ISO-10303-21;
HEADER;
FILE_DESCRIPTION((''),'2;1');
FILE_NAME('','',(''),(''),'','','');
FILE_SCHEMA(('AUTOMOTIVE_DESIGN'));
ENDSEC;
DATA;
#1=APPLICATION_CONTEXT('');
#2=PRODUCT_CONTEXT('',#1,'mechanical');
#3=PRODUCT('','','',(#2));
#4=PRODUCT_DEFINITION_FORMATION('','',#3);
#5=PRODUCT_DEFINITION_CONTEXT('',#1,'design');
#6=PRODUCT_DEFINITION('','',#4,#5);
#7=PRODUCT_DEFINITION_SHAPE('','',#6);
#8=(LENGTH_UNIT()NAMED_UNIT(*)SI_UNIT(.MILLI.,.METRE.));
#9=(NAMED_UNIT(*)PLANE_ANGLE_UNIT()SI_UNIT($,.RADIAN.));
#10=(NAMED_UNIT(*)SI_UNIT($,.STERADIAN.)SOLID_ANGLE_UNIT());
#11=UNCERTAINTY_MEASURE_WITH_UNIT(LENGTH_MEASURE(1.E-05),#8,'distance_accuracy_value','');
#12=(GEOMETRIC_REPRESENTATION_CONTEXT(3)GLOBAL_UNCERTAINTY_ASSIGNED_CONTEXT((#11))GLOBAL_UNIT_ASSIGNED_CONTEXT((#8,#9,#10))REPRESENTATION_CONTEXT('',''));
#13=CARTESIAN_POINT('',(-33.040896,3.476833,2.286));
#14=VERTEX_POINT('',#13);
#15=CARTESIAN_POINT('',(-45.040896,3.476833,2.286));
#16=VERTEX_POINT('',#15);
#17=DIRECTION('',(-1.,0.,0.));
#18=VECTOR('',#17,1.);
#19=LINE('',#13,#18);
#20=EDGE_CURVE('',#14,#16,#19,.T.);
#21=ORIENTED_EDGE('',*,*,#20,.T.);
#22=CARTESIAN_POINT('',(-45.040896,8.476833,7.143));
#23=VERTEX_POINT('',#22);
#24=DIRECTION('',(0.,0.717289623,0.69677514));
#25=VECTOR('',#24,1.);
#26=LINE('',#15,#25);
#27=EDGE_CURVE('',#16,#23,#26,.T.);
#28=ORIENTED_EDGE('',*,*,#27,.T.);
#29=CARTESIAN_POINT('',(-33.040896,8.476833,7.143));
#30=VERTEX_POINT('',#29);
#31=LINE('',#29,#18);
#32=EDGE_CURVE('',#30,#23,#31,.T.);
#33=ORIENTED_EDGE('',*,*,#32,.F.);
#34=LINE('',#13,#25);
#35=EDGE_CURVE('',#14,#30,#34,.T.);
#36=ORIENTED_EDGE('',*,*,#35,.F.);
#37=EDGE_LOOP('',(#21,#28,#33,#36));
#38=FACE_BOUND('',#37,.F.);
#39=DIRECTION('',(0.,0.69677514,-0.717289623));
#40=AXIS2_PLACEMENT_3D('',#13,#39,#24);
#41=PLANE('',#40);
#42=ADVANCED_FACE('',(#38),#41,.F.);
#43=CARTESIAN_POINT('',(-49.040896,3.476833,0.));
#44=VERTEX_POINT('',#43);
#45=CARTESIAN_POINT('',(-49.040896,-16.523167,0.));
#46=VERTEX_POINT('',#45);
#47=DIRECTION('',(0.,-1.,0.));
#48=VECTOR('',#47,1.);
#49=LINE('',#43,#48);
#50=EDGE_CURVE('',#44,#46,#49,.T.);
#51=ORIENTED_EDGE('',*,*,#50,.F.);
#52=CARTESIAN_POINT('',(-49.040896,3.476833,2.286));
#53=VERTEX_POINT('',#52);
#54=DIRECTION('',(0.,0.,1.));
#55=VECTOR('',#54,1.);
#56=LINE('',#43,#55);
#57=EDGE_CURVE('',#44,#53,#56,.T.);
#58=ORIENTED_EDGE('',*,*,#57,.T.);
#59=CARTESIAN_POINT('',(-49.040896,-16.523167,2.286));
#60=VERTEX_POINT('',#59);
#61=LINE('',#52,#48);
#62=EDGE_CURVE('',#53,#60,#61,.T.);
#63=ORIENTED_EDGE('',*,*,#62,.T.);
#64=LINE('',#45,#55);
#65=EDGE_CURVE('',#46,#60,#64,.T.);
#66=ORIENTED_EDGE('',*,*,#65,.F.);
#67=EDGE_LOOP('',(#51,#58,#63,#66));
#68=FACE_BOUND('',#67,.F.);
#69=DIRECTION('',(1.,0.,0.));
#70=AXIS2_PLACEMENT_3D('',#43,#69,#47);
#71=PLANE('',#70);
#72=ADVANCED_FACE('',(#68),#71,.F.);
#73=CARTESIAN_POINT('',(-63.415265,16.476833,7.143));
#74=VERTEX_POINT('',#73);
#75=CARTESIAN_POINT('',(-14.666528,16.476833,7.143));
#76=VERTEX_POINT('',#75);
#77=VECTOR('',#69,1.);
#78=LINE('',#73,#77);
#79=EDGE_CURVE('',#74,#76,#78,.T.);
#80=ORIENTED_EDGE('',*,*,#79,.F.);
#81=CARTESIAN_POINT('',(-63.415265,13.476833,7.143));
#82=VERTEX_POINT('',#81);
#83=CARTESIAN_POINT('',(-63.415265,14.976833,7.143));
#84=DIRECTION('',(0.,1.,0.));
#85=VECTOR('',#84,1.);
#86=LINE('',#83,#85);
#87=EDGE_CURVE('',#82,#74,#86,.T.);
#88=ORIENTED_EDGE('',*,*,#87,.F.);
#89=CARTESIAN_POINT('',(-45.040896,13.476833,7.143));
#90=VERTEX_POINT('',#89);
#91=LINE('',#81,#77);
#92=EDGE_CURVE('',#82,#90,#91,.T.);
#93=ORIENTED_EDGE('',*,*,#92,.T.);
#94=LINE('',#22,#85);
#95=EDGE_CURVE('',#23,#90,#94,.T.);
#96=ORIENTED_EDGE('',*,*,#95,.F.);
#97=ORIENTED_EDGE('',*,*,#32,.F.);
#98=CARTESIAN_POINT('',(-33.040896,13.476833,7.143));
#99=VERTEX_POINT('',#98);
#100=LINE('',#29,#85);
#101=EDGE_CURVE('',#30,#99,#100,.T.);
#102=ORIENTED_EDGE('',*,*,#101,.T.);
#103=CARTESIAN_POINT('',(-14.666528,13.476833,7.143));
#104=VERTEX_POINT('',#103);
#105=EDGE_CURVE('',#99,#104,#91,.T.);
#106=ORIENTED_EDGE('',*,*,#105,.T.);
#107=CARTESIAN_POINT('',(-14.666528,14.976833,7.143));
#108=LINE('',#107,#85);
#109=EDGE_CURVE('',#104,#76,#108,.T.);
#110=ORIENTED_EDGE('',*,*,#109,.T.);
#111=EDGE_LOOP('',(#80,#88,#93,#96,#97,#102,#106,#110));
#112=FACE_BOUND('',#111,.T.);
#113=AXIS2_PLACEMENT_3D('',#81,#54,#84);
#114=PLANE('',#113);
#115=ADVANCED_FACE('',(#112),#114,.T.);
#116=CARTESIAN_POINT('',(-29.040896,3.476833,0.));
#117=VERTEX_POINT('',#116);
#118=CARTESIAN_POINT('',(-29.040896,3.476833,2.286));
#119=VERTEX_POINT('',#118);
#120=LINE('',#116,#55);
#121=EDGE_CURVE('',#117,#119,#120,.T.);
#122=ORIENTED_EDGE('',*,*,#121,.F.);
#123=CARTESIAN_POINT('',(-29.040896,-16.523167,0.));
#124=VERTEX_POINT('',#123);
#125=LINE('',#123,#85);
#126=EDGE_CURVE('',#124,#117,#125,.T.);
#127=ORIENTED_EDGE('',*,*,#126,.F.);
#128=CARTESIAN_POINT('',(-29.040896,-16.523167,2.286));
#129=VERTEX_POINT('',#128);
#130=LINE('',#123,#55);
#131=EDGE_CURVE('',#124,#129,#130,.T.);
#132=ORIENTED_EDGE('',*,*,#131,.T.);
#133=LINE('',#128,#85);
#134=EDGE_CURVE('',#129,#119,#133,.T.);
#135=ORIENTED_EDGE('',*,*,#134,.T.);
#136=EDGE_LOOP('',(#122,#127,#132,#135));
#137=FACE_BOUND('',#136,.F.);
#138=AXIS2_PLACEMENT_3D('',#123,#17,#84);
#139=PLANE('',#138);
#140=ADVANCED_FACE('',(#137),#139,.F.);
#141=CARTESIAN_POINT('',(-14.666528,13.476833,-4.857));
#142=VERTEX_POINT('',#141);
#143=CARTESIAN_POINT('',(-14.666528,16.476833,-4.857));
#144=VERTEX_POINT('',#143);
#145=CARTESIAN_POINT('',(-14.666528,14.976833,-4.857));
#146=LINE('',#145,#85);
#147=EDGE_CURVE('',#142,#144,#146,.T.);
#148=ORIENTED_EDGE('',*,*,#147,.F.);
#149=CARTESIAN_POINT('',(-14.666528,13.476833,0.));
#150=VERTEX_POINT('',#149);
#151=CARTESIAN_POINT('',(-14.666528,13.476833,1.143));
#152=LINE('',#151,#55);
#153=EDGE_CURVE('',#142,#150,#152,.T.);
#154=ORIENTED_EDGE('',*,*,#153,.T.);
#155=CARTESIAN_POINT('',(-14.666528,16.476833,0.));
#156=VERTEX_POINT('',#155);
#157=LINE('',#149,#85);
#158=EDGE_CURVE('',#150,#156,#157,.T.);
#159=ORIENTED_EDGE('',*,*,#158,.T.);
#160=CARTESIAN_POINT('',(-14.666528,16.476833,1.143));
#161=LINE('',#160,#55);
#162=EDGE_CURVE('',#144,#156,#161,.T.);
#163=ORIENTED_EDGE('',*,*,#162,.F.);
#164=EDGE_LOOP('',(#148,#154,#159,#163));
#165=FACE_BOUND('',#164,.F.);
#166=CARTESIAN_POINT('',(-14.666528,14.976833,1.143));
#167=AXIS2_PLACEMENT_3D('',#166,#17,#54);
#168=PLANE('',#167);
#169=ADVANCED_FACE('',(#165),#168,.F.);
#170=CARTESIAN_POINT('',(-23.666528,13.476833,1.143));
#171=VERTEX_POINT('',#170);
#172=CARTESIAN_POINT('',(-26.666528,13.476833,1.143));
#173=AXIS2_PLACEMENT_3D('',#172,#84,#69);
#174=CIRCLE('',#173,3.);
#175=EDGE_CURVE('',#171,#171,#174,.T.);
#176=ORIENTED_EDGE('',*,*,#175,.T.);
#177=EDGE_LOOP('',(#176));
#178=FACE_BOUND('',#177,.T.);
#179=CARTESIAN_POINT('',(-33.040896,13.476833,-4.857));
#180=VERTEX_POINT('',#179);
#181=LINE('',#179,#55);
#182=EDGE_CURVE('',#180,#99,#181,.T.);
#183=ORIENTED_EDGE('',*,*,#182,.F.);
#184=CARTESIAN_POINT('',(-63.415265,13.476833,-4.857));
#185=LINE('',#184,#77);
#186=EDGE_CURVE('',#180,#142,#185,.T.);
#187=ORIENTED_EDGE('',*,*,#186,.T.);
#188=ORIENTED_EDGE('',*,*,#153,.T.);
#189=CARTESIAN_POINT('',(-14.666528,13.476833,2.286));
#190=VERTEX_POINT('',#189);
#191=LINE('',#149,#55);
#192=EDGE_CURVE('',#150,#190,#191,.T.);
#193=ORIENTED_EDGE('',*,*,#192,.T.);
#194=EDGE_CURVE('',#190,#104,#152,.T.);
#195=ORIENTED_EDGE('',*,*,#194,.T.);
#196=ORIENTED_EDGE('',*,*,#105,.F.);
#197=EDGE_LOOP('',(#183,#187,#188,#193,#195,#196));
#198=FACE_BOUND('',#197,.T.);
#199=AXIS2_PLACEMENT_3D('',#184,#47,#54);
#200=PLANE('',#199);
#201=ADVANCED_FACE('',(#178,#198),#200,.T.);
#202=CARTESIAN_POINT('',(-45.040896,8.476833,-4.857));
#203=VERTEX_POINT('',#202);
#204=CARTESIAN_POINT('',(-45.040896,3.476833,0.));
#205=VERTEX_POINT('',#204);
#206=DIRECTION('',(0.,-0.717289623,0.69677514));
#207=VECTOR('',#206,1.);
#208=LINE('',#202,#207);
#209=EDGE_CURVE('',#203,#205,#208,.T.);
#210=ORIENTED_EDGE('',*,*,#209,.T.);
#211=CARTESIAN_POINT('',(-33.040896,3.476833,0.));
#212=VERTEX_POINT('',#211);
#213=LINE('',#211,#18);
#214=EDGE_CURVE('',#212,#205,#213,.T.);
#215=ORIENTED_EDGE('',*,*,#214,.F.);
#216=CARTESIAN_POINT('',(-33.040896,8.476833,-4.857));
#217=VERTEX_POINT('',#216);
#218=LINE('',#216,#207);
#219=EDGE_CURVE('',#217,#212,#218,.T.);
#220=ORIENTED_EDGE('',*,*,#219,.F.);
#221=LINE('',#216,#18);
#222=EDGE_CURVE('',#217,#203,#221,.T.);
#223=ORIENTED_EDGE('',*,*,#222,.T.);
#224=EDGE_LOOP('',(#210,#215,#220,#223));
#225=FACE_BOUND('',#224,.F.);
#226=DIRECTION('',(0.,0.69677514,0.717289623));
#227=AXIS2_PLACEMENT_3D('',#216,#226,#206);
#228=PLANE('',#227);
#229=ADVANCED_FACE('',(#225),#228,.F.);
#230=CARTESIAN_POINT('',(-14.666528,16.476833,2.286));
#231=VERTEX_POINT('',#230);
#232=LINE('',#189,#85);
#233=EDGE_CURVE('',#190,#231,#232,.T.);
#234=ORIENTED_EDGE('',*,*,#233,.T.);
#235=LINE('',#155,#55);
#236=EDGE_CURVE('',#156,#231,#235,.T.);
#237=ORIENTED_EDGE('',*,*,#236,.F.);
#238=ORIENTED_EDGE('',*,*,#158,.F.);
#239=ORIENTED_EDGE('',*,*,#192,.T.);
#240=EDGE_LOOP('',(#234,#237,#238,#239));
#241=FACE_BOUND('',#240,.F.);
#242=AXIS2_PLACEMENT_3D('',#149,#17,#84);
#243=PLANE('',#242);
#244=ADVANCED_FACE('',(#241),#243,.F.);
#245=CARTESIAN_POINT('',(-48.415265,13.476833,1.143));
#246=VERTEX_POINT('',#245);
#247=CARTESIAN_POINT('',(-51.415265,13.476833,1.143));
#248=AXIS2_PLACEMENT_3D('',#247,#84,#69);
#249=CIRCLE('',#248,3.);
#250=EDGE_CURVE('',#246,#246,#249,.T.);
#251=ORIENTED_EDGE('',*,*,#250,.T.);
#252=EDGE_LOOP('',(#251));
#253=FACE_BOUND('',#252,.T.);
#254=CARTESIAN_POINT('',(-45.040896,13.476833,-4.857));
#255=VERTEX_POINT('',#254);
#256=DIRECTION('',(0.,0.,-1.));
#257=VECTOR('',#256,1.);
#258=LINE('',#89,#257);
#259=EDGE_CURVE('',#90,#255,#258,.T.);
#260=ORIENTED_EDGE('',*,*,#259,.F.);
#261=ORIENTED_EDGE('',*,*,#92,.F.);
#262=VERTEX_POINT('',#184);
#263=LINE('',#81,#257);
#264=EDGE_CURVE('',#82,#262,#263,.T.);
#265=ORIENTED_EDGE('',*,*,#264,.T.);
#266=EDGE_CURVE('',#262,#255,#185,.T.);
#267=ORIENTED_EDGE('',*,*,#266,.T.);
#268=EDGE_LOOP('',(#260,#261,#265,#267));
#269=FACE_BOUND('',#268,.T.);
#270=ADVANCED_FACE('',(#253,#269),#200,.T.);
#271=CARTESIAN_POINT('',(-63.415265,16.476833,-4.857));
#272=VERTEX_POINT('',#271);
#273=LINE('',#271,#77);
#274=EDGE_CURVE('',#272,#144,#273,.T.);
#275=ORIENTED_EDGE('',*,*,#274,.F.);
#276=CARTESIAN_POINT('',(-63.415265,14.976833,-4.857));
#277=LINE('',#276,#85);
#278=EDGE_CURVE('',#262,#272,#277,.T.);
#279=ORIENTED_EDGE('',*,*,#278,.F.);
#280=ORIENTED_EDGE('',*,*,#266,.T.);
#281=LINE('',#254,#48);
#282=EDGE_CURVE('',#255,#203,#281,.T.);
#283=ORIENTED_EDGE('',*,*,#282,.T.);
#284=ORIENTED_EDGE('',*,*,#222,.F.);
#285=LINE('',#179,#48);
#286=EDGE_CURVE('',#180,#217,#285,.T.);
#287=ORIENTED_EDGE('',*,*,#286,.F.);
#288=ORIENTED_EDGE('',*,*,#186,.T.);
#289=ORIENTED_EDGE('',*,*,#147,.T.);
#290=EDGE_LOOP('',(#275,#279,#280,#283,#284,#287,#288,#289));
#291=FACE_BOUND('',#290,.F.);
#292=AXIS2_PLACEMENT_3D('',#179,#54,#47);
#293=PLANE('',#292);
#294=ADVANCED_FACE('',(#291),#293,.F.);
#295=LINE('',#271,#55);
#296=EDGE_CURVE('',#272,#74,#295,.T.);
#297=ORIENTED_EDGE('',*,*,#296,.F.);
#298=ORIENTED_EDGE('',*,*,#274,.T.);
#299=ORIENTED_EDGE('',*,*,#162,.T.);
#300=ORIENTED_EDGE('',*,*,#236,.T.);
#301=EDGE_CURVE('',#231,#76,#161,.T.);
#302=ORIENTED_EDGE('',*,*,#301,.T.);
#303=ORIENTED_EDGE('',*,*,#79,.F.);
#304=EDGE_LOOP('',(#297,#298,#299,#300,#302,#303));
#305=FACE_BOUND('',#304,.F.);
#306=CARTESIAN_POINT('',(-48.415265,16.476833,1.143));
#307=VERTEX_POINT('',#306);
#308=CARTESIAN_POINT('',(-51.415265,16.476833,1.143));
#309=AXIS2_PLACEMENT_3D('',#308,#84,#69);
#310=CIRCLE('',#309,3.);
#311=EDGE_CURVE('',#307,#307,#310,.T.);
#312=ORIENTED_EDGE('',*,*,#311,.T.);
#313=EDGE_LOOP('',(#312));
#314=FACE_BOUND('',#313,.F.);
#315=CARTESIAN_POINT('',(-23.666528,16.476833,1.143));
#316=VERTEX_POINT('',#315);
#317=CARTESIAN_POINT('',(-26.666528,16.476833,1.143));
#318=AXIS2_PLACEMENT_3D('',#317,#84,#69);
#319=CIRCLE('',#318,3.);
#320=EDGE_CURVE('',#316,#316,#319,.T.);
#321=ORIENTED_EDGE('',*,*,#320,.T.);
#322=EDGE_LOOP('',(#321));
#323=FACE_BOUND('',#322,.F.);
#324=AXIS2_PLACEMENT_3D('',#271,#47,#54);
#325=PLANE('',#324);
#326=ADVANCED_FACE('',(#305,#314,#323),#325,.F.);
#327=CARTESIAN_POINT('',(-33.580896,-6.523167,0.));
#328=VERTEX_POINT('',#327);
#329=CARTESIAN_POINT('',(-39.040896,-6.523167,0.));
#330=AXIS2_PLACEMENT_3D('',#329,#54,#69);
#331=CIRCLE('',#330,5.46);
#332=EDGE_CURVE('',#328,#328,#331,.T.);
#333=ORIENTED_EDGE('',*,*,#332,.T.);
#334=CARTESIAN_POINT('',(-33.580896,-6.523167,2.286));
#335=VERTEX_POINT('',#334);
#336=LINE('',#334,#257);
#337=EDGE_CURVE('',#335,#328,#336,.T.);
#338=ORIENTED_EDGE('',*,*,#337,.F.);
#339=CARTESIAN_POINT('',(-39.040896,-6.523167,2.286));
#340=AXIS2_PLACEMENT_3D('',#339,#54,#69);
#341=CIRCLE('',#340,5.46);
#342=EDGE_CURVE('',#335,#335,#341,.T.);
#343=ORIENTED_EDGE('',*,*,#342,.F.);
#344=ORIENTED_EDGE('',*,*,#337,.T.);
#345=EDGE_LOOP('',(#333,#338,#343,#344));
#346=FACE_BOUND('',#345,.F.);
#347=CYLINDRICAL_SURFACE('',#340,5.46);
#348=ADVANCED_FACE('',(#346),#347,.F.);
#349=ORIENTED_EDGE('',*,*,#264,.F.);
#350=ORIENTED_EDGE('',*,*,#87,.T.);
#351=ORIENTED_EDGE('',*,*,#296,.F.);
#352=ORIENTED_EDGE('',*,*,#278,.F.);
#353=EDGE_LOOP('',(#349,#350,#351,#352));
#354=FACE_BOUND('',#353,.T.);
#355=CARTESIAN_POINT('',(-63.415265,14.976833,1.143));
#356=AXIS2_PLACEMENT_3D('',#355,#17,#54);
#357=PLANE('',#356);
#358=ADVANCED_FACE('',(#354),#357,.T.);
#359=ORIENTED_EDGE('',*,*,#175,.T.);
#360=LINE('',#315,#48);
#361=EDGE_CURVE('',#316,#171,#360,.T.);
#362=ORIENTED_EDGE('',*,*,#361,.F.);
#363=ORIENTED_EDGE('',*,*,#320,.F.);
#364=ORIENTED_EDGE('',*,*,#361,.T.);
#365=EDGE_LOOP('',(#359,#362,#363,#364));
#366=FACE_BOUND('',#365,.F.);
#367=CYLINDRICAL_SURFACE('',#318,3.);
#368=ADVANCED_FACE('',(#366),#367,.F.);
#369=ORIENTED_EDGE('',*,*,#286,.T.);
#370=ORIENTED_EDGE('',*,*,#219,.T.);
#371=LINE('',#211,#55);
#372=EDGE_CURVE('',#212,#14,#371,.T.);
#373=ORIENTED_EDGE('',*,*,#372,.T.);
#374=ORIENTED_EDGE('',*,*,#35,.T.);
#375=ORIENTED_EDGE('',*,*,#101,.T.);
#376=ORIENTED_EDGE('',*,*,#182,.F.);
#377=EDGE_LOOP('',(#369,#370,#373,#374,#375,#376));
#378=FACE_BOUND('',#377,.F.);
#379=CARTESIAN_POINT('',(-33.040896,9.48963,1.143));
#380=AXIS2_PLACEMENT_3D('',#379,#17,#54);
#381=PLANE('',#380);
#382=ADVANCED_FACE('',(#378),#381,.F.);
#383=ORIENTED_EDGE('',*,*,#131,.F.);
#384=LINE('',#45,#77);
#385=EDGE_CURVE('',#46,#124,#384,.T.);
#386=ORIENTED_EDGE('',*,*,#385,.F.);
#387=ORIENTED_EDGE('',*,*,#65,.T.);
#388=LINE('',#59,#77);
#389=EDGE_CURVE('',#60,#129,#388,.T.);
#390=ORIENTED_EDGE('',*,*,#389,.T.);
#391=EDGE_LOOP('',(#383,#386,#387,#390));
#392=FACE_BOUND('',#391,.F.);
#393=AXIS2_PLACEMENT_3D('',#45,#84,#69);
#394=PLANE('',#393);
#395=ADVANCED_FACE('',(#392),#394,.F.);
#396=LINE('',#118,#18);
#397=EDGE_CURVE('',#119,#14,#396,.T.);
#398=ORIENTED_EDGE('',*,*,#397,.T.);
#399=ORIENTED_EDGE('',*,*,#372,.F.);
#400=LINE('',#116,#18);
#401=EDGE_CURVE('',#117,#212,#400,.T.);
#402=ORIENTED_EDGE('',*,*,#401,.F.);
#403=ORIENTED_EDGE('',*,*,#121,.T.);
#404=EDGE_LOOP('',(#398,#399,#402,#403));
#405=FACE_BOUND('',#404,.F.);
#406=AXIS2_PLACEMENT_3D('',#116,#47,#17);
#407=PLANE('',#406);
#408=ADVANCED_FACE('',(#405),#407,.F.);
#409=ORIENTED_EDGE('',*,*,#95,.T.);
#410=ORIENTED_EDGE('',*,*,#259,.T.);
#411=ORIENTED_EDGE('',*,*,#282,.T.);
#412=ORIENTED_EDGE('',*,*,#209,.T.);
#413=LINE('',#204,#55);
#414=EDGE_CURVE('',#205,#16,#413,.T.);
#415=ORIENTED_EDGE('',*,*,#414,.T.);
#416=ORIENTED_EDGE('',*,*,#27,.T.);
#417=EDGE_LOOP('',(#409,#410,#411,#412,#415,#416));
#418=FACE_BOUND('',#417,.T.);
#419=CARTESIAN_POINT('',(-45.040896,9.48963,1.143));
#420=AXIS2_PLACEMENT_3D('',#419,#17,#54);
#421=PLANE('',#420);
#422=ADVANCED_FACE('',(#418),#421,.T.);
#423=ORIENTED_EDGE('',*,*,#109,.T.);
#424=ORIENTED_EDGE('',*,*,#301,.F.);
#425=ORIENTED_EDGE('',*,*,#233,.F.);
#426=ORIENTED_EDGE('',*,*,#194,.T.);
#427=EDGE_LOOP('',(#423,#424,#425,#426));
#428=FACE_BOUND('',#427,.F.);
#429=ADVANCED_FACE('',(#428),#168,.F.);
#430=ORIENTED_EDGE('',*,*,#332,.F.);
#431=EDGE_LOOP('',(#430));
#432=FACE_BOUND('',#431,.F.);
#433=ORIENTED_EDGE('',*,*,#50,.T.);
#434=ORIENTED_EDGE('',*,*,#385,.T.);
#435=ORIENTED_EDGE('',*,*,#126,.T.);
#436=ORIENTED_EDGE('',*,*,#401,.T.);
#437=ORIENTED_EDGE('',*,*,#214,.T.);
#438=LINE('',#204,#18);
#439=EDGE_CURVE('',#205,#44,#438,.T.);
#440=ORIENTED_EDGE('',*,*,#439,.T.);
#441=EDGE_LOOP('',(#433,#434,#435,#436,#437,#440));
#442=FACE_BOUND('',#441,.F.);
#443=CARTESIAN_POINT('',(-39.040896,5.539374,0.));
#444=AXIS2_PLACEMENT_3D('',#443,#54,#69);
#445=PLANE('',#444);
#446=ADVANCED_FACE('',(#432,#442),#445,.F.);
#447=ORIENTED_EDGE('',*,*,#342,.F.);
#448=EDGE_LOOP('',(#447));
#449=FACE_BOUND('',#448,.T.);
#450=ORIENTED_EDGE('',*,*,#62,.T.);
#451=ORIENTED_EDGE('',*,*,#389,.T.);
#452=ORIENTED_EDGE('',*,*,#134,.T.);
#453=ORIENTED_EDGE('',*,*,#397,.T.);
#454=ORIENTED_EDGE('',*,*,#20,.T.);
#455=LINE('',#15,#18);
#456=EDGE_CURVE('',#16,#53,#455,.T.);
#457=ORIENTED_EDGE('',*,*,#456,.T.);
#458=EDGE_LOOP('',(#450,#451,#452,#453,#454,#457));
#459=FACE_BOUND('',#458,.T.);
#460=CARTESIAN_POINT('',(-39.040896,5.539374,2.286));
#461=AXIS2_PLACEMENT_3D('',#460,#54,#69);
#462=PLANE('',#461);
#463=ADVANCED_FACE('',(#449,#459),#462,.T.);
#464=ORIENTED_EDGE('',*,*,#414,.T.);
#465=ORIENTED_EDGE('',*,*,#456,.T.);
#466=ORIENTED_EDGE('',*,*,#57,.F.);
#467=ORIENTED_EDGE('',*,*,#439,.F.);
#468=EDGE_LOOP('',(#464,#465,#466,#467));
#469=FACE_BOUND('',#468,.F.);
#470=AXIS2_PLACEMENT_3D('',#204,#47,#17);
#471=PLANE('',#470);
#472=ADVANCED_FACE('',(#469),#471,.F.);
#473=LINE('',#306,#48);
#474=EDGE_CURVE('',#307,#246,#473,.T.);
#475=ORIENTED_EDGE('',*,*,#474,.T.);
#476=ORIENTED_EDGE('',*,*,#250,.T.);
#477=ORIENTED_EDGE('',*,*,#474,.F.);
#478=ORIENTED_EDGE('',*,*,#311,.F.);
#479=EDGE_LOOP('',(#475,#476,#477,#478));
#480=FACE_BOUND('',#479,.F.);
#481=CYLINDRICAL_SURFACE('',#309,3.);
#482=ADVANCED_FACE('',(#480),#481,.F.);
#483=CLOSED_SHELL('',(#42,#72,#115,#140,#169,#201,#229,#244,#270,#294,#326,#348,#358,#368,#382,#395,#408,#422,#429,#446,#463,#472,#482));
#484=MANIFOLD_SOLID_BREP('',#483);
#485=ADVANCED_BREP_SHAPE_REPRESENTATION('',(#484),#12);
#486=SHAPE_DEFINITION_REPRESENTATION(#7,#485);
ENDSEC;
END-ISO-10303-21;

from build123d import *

# Parameters (mm, degrees)
SALIENTE_EXTRUIR1_DEPTH = 2.286
CROQUIS3_W              = 12
CROQUIS3_H              = 3
SALIENTE_EXTRUIR2_DEPTH = 48.748737
SALIENTE_EXTRUIR3_DEPTH = 12
CROQUIS5_R              = 5.46
CORTAR_EXTRUIR1_DEPTH   = 8.143
CROQUIS6_R              = 3
CORTAR_EXTRUIR2_DEPTH   = 3


with BuildPart() as part:
    # Croquis1 → Saliente-Extruir1 (new body)
    with BuildSketch(Plane.XY):
        Polygon((-14.666527812, 16.476832902), (-63.415265152, 16.476832902), (-63.415265152, 13.476832902), (-45.040896482, 13.476832902), (-45.040896482, 8.476832902), (-45.040896482, 3.476832902), (-49.040896482, 3.476832902), (-49.040896482, -16.523167098), (-29.040896482, -16.523167098), (-29.040896482, 3.476832902), (-33.040896482, 3.476832902), (-33.040896482, 8.476832902), (-33.040896482, 13.476832902), (-14.666527812, 13.476832902), align=None)
    extrude(amount=SALIENTE_EXTRUIR1_DEPTH)

    # Croquis3 → Saliente-Extruir2 (add)
    with BuildSketch(Plane.ZY.offset(63.415265152)):
        with Locations((1.143, 14.976832902)):
            Rectangle(CROQUIS3_W, CROQUIS3_H)
    extrude(amount=-SALIENTE_EXTRUIR2_DEPTH)

    # Croquis4 → Saliente-Extruir3 (add)
    with BuildSketch(Plane(origin=(-33.040896482, 0, 0), x_dir=(0, 0, -1), z_dir=(1, 0, 0))):
        Polygon((4.857, 8.476832902), (0, 3.476832902), (-2.286, 3.476832902), (-7.143, 8.476832902), (-7.143, 13.476832902), (4.857, 13.476832902), align=None)
    extrude(amount=-SALIENTE_EXTRUIR3_DEPTH)

    # Croquis5 → Cortar-Extruir1 (cut, through all)
    with BuildSketch(Plane.XY.offset(2.286)):
        with Locations((-39.040896482, -6.523167098)):
            Circle(CROQUIS5_R)
    extrude(amount=-CORTAR_EXTRUIR1_DEPTH, mode=Mode.SUBTRACT)

    # Croquis6 → Cortar-Extruir2 (cut)
    with BuildSketch(Plane(origin=(0, 16.476832902, 0), x_dir=(1, 0, 0), z_dir=(0, 1, 0))):
        with Locations((-26.666527812, -1.143)):
            Circle(CROQUIS6_R)
        with Locations((-51.415265152, -1.143)):
            Circle(CROQUIS6_R)
    extrude(amount=-CORTAR_EXTRUIR2_DEPTH, mode=Mode.SUBTRACT)


solid = part.part
